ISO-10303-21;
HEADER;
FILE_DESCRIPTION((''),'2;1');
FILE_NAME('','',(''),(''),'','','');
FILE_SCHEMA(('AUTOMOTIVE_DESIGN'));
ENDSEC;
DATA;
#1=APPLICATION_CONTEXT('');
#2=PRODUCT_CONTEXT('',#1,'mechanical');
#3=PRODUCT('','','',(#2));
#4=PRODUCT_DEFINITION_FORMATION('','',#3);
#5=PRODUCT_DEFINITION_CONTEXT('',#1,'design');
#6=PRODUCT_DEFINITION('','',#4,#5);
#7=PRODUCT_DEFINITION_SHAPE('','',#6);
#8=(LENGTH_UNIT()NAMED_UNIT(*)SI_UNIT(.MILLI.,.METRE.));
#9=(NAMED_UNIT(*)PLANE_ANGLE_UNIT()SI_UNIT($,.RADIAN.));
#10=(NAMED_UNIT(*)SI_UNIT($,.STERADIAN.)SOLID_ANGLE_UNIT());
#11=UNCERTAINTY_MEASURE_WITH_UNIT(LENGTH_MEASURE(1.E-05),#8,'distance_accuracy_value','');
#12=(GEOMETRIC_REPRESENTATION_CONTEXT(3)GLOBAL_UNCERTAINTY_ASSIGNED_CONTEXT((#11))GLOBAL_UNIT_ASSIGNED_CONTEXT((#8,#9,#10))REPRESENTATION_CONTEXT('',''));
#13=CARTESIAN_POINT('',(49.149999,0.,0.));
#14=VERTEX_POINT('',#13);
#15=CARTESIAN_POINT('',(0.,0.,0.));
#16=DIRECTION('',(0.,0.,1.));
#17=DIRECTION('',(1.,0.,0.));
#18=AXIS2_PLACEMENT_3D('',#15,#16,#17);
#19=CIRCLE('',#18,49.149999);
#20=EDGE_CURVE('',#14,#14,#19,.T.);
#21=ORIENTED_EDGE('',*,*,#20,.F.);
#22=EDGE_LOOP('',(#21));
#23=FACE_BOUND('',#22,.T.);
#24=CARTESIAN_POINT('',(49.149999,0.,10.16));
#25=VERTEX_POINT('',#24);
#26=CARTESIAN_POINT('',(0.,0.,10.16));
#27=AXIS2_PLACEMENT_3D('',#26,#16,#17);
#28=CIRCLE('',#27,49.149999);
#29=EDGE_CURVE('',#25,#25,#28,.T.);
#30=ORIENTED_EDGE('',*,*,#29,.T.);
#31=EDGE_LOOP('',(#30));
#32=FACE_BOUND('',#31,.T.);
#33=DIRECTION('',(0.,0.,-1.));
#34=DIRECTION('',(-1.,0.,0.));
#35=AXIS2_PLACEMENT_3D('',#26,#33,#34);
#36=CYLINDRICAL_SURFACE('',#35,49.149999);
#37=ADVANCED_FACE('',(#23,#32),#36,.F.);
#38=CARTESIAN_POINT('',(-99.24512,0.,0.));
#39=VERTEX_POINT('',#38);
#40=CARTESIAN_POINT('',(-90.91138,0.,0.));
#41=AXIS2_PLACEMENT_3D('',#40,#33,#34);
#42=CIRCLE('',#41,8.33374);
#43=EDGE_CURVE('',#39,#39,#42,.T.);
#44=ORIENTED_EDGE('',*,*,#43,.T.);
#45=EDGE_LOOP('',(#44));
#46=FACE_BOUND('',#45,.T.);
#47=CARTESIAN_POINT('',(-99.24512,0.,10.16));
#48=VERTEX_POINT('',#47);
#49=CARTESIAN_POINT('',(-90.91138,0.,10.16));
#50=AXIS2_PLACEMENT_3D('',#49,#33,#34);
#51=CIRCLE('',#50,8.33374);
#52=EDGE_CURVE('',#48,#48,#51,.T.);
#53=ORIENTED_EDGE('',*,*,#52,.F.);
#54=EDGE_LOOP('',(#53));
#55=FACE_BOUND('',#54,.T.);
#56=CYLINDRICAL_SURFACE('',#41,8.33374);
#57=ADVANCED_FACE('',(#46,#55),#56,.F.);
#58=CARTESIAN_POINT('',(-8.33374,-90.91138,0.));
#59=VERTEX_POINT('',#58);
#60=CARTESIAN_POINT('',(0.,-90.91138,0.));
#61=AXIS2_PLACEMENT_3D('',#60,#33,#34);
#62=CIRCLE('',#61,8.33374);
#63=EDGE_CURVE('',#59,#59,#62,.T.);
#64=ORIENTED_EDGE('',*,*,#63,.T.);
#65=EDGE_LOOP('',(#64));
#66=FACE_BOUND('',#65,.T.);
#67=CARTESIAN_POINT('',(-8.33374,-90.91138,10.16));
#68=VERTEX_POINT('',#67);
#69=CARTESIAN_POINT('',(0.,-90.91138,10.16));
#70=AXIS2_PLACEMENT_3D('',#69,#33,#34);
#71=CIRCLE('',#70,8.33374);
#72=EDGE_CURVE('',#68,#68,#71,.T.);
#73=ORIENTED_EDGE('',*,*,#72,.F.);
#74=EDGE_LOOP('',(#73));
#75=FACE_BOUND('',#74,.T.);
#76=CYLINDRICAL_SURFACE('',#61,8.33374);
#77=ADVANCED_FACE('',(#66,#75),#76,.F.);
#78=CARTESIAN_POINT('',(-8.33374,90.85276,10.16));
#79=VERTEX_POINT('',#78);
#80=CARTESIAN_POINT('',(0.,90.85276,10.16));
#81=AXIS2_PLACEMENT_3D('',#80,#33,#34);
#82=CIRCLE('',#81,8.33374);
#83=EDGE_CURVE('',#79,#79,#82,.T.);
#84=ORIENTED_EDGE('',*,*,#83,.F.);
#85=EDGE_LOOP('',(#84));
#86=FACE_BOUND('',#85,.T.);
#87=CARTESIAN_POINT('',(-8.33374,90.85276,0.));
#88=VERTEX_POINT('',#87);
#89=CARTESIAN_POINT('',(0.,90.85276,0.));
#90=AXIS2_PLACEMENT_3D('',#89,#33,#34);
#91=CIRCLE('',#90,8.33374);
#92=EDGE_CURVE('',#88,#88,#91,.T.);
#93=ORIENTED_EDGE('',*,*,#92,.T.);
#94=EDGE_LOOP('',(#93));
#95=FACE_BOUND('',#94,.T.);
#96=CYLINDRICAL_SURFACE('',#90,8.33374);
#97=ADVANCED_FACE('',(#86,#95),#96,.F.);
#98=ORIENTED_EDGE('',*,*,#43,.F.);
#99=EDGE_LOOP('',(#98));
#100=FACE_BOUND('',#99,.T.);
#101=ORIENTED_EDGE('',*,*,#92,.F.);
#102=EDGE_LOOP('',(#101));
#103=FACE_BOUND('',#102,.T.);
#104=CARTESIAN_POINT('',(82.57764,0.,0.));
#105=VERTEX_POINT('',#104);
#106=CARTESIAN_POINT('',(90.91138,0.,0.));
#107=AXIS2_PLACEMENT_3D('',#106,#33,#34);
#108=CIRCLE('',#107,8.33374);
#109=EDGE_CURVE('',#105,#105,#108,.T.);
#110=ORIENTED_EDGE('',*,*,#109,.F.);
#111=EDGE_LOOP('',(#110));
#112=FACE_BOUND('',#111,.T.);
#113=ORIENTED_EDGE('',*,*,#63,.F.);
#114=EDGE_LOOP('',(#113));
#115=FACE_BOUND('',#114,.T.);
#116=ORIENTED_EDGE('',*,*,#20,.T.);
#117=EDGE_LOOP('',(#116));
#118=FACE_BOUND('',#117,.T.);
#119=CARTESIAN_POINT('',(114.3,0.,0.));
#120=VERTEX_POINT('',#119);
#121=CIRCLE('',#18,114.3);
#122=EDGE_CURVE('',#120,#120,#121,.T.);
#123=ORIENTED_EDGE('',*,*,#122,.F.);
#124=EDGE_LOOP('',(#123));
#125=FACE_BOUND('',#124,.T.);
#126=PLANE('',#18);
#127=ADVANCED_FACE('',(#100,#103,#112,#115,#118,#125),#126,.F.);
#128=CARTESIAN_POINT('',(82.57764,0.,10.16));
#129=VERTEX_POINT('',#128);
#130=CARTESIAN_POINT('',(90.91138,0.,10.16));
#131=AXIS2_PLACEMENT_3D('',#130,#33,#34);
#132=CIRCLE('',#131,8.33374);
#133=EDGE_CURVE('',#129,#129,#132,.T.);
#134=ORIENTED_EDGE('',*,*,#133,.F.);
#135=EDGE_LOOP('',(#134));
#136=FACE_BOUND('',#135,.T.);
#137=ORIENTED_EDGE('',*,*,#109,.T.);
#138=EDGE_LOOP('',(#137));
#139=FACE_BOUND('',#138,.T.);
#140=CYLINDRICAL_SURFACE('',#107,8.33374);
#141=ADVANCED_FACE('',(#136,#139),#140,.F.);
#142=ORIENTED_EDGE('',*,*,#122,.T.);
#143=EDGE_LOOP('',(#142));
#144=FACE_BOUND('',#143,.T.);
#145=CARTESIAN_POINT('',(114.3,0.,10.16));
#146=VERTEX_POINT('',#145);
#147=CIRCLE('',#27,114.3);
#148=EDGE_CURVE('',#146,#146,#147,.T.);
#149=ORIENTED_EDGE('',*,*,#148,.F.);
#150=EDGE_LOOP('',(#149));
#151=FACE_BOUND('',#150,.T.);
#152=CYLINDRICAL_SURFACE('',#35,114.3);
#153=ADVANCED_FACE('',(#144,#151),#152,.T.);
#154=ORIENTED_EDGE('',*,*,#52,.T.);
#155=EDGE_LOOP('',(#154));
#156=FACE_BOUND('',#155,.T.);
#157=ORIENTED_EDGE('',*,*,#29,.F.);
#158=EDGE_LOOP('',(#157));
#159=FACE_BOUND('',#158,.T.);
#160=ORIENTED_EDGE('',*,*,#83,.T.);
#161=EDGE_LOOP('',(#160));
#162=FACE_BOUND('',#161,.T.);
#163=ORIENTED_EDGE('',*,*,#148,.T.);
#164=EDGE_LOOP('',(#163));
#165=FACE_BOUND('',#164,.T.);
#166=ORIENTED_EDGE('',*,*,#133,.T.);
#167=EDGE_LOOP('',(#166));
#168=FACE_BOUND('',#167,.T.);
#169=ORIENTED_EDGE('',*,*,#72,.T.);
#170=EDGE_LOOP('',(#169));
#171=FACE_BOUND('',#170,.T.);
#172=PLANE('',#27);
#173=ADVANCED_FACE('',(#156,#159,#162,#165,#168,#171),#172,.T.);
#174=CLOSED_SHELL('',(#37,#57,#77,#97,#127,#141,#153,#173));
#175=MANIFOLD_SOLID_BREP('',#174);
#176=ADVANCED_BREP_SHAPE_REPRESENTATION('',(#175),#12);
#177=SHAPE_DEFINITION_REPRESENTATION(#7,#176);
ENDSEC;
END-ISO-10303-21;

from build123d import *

# Parameters (mm, degrees)
SKETCH1_R               = 114.3
SKETCH1_R_2             = 49.149999464
EXTRUDE1_DEPTH          = 10.16
F_5_8_CLEARANCE_HOLE1_D = 16.66748


with BuildPart() as part:
    # Sketch1 → Extrude1 (new body)
    with BuildSketch(Plane.XY):
        Circle(SKETCH1_R)
        Circle(SKETCH1_R_2, mode=Mode.SUBTRACT)
    extrude(amount=EXTRUDE1_DEPTH)

    # 5/8 Clearance Hole1 (through all)
    with Locations(Plane(origin=(-61.229912904, -86.94526051, 0), x_dir=(-1, 0, 0), z_dir=(0, 0, -1))):
        with Locations((-61.229912904, 177.798020209), (29.681467244, 86.94526051), (-61.229912904, -3.966119638), (-152.141293051, 86.94526051)):
            Hole(F_5_8_CLEARANCE_HOLE1_D / 2)


solid = part.part
